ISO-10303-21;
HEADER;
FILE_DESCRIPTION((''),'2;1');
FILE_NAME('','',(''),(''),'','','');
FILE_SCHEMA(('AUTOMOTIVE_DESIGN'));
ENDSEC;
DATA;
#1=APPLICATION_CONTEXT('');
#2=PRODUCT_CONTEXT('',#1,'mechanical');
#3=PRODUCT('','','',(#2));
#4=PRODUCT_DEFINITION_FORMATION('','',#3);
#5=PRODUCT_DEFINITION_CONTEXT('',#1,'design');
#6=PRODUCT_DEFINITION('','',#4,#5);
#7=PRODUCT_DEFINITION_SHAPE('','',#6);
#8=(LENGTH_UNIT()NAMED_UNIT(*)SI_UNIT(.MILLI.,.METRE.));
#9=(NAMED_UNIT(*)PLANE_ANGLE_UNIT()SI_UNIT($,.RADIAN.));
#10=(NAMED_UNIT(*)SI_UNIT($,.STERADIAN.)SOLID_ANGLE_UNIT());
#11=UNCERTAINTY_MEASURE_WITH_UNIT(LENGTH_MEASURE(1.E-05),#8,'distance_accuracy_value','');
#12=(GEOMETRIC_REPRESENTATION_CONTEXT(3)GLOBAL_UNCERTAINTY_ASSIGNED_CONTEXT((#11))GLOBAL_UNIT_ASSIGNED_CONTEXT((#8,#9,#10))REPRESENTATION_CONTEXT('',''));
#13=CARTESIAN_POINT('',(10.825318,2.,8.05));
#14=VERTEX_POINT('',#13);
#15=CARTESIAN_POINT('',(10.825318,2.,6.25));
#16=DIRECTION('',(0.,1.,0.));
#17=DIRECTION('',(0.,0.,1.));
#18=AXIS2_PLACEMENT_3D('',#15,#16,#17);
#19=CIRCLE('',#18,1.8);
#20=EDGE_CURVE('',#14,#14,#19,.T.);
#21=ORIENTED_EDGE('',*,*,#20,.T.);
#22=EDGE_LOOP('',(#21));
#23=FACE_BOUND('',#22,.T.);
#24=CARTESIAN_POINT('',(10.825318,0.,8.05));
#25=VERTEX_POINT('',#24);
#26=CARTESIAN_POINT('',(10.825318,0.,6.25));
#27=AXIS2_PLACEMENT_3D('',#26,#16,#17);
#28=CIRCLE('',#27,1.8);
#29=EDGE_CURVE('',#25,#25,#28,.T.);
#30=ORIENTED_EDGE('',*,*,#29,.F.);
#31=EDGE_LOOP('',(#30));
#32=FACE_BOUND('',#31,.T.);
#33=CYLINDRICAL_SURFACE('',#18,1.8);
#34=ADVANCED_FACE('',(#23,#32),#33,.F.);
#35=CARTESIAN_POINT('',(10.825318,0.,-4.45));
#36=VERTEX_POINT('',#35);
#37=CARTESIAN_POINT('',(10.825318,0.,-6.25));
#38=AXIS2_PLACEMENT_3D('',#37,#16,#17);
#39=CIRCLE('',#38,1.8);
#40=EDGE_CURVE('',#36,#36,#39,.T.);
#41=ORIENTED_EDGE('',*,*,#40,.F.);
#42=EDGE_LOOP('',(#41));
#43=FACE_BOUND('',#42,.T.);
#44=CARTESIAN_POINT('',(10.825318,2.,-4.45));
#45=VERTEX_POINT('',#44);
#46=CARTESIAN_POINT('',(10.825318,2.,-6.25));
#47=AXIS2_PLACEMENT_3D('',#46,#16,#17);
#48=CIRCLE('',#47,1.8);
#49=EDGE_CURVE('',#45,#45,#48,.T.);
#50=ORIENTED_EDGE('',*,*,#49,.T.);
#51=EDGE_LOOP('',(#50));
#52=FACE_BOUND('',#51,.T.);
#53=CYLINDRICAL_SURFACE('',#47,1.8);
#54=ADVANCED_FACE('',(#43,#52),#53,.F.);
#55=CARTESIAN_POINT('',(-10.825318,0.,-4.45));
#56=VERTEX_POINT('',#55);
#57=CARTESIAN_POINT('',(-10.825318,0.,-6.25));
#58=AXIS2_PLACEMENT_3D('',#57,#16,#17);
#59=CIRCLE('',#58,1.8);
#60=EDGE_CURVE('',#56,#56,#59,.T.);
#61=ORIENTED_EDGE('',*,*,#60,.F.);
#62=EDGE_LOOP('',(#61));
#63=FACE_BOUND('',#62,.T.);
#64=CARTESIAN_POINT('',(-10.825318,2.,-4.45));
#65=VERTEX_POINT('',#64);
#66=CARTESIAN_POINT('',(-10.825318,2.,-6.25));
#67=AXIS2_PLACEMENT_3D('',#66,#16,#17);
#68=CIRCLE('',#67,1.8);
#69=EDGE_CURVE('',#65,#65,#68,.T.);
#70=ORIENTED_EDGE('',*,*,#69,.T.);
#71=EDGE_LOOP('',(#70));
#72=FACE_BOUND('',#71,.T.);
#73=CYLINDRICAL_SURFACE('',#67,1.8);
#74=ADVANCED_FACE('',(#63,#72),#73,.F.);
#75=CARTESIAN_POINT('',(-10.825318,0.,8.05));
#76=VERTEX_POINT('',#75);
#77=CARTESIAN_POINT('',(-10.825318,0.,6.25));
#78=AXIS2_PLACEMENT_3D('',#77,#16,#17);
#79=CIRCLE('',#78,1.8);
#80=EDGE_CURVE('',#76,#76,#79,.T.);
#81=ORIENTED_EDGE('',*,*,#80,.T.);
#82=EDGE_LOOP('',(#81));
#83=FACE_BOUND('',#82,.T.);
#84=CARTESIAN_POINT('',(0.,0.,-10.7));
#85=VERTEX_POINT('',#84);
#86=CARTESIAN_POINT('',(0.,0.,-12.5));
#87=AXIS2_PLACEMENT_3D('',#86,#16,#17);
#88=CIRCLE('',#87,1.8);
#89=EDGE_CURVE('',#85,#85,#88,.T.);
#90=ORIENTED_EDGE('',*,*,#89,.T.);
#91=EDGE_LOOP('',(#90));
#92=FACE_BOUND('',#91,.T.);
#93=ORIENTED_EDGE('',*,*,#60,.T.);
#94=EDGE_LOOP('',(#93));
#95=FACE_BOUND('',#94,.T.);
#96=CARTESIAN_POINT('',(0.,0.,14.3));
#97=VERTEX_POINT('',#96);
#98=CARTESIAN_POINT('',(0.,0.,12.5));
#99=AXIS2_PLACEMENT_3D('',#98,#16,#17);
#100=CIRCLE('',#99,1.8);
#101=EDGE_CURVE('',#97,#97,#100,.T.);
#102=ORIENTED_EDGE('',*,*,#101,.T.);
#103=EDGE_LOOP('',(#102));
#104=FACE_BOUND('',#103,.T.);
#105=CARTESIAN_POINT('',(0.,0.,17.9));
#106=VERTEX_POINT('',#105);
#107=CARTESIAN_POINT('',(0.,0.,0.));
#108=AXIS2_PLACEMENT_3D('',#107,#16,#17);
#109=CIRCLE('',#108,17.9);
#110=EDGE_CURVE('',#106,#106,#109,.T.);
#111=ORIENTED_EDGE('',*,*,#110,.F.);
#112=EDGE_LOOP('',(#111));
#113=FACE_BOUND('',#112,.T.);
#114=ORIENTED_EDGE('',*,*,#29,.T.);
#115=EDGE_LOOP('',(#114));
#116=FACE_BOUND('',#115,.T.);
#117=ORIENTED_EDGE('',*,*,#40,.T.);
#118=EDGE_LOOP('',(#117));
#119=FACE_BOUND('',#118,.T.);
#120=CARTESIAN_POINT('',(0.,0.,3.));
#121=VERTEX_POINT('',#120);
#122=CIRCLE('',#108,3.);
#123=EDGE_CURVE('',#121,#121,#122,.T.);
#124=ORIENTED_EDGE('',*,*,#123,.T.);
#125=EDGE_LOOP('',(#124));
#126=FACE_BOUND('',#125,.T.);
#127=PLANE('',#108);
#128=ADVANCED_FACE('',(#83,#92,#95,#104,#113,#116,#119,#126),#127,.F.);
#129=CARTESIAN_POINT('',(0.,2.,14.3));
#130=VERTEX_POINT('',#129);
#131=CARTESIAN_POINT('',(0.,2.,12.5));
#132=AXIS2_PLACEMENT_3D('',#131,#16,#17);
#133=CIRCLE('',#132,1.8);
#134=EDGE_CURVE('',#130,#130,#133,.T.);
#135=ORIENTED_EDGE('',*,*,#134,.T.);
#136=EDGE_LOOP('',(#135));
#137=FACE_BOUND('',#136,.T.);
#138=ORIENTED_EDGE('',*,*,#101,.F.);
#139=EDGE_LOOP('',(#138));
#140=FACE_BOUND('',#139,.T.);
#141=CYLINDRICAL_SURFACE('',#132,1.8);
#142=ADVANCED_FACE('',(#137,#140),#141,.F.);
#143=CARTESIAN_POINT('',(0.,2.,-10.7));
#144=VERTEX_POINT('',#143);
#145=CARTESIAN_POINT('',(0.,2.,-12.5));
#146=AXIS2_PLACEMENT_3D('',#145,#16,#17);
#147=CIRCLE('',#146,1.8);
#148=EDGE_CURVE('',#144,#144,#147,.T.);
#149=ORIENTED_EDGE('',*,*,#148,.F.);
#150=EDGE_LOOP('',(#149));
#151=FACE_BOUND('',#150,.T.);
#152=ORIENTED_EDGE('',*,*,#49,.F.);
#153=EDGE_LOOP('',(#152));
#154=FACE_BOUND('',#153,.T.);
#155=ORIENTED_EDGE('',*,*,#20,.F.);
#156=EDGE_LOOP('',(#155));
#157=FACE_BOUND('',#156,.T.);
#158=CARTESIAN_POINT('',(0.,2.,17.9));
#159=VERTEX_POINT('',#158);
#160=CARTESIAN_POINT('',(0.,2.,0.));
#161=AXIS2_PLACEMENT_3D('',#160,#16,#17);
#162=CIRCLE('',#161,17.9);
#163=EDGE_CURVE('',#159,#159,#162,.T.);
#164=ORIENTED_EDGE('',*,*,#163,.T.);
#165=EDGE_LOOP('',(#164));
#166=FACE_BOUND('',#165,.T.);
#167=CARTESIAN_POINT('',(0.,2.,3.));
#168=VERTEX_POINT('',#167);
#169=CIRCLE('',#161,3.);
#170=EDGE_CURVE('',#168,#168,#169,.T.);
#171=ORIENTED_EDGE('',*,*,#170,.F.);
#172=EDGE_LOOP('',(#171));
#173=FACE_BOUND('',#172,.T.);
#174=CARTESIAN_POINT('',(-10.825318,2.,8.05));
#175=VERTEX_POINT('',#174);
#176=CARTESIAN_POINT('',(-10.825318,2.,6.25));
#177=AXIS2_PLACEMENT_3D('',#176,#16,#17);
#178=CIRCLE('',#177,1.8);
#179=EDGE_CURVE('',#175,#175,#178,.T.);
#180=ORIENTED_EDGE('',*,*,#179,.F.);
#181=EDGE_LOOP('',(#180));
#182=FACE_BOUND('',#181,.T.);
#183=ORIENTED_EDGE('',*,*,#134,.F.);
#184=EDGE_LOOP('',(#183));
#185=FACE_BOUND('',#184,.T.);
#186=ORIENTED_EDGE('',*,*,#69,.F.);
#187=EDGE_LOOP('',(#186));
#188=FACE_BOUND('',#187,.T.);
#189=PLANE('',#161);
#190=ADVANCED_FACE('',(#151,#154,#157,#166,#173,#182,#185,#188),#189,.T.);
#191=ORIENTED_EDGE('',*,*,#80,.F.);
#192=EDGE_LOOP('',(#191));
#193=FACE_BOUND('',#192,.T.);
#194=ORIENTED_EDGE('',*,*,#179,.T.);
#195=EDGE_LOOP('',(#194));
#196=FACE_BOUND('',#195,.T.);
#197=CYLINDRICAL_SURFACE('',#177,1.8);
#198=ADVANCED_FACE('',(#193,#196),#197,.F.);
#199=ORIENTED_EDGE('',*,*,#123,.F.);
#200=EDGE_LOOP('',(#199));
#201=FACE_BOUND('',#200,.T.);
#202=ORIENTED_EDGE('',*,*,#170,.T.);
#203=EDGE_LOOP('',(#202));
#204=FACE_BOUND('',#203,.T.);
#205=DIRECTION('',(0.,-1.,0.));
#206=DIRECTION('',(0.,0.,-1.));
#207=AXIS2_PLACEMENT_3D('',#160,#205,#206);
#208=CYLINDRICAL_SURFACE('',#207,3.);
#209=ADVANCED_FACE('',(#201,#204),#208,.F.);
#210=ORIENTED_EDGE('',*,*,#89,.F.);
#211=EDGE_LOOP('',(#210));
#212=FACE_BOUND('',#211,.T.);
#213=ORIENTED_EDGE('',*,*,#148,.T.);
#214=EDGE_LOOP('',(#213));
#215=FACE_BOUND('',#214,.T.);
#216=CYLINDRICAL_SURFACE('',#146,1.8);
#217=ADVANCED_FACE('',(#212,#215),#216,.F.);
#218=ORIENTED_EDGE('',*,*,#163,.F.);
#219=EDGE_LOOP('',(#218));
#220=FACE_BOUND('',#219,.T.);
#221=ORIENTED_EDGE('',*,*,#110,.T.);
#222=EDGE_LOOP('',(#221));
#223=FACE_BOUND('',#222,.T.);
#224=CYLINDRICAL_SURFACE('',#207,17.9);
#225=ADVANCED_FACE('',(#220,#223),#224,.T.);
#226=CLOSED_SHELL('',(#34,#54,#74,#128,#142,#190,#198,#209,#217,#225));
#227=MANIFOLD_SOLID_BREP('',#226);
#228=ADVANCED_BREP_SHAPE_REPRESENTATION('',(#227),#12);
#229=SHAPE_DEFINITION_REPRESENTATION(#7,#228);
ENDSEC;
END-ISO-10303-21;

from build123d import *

# Parameters (mm, degrees)
SKETCH1_R            = 17.9
SKETCH1_R_2          = 3
BOSS_EXTRUDE1_DEPTH  = 2
M3_CLEARANCE_HOLE1_D = 3.6


with BuildPart() as part:
    # Sketch1 → Boss-Extrude1 (new body)
    with BuildSketch(Plane(origin=(0, 0, 0), x_dir=(1, 0, 0), z_dir=(0, 1, 0))):
        with Locations(Location((0, 0, 0), (0, 0, 270))):
            Circle(SKETCH1_R)
        with Locations(Location((0, 0, 0), (0, 0, 270))):
            Circle(SKETCH1_R_2, mode=Mode.SUBTRACT)
    extrude(amount=BOSS_EXTRUDE1_DEPTH)

    # M3 Clearance Hole1 (through all)
    with Locations(Plane(origin=(0, 2, 0), x_dir=(1, 0, 0), z_dir=(0, 1, 0))):
        with Locations((0, 12.5), (-10.825317547, 6.25), (-10.825317547, -6.25), (0, -12.5), (10.825317547, -6.25), (10.825317547, 6.25)):
            Hole(M3_CLEARANCE_HOLE1_D / 2)


solid = part.part
